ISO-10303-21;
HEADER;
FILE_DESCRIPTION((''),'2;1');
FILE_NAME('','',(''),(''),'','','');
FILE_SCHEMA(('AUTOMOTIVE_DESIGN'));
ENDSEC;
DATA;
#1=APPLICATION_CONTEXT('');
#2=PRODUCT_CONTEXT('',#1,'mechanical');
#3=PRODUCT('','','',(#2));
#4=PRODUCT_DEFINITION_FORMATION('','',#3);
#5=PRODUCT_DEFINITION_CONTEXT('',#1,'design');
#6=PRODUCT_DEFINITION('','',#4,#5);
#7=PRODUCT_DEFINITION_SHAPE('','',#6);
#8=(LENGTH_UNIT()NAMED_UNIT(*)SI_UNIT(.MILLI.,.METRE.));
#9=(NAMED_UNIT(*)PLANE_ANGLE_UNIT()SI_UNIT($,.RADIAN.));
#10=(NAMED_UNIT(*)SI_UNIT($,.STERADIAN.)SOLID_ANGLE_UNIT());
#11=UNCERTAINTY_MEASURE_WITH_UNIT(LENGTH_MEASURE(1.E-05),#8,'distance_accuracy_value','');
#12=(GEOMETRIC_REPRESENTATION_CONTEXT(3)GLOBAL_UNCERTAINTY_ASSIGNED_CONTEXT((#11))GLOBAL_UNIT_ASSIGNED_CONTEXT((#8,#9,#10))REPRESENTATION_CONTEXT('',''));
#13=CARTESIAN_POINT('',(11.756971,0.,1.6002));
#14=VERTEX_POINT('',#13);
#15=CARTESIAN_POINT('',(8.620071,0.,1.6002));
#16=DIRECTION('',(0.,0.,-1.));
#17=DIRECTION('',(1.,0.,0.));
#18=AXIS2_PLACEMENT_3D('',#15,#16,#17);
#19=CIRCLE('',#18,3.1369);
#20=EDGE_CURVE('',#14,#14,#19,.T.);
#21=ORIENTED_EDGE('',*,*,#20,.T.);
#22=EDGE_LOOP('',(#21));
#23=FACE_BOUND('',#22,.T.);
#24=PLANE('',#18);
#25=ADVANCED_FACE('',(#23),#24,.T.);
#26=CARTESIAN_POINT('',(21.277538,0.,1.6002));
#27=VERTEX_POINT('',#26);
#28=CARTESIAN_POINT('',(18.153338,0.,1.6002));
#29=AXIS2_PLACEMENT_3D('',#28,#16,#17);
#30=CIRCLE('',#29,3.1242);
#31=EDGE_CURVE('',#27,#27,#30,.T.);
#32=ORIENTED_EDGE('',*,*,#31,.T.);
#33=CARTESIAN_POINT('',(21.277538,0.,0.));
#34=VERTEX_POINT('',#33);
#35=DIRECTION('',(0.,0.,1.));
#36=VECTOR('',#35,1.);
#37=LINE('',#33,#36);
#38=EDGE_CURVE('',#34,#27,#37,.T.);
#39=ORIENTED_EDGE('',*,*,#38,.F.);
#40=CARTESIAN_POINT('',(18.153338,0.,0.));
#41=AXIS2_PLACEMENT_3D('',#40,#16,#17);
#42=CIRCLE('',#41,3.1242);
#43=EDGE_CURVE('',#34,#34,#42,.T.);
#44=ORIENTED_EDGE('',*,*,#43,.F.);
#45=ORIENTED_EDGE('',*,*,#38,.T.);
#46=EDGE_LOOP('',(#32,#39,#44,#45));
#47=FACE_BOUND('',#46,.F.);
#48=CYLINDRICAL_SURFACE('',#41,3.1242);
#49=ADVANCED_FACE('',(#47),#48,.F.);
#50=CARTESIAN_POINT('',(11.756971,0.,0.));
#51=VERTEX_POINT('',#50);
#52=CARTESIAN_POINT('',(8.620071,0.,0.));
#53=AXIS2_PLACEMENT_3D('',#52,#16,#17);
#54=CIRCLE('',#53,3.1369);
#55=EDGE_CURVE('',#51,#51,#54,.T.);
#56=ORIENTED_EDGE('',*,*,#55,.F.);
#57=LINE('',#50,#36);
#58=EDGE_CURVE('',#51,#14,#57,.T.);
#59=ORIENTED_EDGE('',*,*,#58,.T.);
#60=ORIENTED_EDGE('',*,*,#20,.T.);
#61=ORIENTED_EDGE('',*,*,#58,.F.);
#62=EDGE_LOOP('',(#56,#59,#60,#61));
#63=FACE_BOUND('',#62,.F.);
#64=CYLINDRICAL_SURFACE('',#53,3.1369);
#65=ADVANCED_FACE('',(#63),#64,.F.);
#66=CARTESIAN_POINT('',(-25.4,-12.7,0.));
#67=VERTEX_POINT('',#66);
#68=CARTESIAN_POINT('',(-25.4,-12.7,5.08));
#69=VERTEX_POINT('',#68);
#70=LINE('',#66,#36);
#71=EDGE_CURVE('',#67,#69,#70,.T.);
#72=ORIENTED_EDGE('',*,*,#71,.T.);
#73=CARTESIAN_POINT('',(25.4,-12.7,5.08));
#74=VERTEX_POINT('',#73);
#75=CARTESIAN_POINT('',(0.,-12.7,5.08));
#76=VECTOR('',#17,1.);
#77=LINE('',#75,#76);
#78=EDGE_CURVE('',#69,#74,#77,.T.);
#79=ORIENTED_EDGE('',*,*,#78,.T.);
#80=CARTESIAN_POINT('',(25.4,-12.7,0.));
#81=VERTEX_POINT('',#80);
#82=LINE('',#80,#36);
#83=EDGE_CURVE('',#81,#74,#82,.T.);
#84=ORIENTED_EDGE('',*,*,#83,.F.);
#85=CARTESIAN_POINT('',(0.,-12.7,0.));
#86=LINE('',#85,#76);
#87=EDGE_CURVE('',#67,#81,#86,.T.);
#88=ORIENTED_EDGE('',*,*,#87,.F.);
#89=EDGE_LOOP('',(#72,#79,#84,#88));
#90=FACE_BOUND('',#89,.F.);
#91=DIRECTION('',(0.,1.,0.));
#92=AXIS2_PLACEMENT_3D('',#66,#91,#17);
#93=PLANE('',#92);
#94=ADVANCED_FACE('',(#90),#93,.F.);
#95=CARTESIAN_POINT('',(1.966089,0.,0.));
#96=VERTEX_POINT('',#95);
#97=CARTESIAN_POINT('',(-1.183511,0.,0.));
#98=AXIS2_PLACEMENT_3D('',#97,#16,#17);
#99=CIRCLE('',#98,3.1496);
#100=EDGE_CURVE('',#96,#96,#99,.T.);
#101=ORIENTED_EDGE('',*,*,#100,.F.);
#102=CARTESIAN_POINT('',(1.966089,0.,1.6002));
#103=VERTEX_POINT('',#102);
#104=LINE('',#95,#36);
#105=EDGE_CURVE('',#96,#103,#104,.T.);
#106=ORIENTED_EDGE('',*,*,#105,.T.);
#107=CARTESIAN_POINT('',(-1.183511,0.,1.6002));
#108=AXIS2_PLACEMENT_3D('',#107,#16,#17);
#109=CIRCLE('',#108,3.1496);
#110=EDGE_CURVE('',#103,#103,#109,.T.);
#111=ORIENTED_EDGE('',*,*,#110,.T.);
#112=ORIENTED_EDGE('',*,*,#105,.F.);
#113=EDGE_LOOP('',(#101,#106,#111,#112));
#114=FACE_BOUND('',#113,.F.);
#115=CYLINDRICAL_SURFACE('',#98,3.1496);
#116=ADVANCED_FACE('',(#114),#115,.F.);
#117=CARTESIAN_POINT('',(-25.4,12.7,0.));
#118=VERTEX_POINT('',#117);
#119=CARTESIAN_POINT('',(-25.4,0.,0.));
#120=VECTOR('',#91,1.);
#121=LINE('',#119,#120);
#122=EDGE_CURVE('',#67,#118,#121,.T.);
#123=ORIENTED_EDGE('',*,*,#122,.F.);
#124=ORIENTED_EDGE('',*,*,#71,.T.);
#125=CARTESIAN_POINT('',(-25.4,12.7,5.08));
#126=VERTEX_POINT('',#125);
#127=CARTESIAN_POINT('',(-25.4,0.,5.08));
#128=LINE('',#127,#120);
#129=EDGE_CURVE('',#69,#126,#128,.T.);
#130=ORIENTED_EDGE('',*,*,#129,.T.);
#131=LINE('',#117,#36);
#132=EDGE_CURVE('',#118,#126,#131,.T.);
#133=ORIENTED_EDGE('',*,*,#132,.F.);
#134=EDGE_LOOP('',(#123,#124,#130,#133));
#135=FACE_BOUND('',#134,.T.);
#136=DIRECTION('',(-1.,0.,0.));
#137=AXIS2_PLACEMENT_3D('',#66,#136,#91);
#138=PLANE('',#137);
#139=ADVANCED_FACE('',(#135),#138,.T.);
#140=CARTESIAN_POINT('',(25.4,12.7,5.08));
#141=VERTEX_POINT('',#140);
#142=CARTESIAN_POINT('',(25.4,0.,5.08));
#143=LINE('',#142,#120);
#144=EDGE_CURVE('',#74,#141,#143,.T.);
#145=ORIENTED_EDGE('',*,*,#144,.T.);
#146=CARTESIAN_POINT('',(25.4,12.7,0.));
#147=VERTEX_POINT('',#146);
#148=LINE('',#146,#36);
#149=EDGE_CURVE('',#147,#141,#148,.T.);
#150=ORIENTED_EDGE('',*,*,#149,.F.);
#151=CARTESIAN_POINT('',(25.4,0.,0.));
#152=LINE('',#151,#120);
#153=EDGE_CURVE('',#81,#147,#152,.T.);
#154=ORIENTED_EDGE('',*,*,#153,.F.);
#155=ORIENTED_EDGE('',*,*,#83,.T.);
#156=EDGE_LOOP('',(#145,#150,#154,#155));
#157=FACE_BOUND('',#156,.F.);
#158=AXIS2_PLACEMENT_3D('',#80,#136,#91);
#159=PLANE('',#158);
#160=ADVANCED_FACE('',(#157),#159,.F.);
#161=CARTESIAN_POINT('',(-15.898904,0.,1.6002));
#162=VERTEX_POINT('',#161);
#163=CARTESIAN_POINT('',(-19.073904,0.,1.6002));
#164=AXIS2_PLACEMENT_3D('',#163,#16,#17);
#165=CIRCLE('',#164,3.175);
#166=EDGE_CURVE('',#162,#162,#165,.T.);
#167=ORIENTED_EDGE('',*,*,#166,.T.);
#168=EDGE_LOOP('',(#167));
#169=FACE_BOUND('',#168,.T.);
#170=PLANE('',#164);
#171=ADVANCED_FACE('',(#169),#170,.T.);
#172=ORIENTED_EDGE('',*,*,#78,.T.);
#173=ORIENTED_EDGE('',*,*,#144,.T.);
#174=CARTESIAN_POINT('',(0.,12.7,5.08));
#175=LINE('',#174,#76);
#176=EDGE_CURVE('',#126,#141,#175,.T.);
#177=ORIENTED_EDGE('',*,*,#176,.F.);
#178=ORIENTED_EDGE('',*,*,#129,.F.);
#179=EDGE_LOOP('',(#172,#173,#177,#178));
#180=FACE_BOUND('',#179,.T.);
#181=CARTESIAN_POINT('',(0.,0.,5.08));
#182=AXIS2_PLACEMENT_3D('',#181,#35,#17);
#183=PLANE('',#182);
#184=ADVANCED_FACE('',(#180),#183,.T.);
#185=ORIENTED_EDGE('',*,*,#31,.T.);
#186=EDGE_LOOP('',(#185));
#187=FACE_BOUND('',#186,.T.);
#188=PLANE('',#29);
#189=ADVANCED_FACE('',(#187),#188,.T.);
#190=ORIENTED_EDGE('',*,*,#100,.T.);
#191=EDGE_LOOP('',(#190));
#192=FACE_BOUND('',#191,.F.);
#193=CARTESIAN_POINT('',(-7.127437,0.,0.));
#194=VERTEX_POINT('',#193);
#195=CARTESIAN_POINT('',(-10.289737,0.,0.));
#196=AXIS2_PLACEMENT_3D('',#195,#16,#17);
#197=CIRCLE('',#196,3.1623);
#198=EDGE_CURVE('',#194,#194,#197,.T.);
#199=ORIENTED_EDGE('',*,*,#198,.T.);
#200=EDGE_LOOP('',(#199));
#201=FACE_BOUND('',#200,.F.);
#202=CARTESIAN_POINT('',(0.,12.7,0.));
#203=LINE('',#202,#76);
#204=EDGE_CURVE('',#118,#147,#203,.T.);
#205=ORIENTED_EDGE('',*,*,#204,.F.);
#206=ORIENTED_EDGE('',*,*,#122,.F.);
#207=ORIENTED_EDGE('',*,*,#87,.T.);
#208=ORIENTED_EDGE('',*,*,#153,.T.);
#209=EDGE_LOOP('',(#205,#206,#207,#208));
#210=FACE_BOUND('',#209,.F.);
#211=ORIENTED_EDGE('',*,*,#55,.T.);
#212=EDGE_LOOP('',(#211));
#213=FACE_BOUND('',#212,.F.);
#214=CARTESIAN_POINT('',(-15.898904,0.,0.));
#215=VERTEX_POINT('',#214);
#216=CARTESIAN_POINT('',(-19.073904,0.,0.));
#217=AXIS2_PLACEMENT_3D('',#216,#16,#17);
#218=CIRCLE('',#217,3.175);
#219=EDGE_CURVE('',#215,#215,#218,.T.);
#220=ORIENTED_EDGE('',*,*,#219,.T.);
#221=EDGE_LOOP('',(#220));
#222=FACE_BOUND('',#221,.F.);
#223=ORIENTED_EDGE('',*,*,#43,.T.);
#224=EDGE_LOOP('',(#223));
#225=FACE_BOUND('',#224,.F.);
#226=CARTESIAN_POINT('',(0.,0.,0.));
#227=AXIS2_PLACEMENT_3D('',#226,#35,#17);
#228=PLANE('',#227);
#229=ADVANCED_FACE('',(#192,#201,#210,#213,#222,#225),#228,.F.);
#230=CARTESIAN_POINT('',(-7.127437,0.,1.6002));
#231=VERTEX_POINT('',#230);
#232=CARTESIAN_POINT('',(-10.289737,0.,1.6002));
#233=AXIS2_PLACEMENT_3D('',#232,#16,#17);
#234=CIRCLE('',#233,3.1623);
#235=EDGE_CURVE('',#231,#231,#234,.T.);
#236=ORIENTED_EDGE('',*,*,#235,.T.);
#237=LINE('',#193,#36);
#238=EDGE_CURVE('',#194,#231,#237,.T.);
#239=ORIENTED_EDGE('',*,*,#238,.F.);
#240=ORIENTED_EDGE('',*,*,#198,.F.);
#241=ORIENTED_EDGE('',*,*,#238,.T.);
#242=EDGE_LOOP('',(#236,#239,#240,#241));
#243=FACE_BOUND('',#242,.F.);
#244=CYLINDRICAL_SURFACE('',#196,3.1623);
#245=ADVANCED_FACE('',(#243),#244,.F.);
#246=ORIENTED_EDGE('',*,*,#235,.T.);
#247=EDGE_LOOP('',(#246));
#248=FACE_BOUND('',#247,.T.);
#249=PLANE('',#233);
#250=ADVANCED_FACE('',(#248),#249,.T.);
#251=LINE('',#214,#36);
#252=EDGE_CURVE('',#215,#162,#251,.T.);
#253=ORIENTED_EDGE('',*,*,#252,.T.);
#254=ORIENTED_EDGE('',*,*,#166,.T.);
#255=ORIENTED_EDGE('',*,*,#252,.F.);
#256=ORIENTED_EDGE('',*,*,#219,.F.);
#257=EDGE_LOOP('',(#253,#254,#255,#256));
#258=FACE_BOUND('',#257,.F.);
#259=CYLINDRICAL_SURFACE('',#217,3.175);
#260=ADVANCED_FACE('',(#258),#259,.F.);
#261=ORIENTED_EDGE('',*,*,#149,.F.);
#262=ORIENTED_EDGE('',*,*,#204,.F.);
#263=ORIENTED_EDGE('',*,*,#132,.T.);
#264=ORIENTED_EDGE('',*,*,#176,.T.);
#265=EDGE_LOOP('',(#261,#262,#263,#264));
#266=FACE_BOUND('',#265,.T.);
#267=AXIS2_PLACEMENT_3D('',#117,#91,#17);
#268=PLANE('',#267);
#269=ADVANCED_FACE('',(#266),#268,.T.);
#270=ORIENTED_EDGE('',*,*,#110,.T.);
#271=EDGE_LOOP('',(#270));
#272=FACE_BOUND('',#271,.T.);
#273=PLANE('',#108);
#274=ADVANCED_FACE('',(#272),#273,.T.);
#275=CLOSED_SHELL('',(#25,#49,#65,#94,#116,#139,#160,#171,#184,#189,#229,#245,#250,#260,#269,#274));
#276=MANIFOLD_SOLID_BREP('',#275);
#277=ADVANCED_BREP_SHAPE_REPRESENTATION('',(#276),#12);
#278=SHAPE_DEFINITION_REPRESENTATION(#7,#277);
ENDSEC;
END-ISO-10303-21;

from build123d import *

# Parameters (mm, degrees)
F0_W     = 50.8
F0_H     = 25.4
F1_DEPTH = 5.08
F2_R     = 3.175
F2_R_2   = 3.1623
F2_R_3   = 3.1496
F2_R_4   = 3.1369
F2_R_5   = 3.1242
F3_DEPTH = 1.6002


with BuildPart() as f1:
    # F0 (on Top) → F1 (new body)
    with BuildSketch(Plane.XY):
        Rectangle(F0_W, F0_H)
    extrude(amount=F1_DEPTH)

    # F2 (on face) → F3 (cut)
    with BuildSketch(Plane(origin=(0, 0, 0), x_dir=(1, 0, 0), z_dir=(0, 0, -1))):
        with Locations((-19.073904, 0)):
            Circle(F2_R)
        with Locations((-10.289737, 0)):
            Circle(F2_R_2)
        with Locations((-1.183511, 0)):
            Circle(F2_R_3)
        with Locations((8.620071, 0)):
            Circle(F2_R_4)
        with Locations((18.153338, 0)):
            Circle(F2_R_5)
    extrude(amount=-F3_DEPTH, mode=Mode.SUBTRACT)


solid = f1.part
